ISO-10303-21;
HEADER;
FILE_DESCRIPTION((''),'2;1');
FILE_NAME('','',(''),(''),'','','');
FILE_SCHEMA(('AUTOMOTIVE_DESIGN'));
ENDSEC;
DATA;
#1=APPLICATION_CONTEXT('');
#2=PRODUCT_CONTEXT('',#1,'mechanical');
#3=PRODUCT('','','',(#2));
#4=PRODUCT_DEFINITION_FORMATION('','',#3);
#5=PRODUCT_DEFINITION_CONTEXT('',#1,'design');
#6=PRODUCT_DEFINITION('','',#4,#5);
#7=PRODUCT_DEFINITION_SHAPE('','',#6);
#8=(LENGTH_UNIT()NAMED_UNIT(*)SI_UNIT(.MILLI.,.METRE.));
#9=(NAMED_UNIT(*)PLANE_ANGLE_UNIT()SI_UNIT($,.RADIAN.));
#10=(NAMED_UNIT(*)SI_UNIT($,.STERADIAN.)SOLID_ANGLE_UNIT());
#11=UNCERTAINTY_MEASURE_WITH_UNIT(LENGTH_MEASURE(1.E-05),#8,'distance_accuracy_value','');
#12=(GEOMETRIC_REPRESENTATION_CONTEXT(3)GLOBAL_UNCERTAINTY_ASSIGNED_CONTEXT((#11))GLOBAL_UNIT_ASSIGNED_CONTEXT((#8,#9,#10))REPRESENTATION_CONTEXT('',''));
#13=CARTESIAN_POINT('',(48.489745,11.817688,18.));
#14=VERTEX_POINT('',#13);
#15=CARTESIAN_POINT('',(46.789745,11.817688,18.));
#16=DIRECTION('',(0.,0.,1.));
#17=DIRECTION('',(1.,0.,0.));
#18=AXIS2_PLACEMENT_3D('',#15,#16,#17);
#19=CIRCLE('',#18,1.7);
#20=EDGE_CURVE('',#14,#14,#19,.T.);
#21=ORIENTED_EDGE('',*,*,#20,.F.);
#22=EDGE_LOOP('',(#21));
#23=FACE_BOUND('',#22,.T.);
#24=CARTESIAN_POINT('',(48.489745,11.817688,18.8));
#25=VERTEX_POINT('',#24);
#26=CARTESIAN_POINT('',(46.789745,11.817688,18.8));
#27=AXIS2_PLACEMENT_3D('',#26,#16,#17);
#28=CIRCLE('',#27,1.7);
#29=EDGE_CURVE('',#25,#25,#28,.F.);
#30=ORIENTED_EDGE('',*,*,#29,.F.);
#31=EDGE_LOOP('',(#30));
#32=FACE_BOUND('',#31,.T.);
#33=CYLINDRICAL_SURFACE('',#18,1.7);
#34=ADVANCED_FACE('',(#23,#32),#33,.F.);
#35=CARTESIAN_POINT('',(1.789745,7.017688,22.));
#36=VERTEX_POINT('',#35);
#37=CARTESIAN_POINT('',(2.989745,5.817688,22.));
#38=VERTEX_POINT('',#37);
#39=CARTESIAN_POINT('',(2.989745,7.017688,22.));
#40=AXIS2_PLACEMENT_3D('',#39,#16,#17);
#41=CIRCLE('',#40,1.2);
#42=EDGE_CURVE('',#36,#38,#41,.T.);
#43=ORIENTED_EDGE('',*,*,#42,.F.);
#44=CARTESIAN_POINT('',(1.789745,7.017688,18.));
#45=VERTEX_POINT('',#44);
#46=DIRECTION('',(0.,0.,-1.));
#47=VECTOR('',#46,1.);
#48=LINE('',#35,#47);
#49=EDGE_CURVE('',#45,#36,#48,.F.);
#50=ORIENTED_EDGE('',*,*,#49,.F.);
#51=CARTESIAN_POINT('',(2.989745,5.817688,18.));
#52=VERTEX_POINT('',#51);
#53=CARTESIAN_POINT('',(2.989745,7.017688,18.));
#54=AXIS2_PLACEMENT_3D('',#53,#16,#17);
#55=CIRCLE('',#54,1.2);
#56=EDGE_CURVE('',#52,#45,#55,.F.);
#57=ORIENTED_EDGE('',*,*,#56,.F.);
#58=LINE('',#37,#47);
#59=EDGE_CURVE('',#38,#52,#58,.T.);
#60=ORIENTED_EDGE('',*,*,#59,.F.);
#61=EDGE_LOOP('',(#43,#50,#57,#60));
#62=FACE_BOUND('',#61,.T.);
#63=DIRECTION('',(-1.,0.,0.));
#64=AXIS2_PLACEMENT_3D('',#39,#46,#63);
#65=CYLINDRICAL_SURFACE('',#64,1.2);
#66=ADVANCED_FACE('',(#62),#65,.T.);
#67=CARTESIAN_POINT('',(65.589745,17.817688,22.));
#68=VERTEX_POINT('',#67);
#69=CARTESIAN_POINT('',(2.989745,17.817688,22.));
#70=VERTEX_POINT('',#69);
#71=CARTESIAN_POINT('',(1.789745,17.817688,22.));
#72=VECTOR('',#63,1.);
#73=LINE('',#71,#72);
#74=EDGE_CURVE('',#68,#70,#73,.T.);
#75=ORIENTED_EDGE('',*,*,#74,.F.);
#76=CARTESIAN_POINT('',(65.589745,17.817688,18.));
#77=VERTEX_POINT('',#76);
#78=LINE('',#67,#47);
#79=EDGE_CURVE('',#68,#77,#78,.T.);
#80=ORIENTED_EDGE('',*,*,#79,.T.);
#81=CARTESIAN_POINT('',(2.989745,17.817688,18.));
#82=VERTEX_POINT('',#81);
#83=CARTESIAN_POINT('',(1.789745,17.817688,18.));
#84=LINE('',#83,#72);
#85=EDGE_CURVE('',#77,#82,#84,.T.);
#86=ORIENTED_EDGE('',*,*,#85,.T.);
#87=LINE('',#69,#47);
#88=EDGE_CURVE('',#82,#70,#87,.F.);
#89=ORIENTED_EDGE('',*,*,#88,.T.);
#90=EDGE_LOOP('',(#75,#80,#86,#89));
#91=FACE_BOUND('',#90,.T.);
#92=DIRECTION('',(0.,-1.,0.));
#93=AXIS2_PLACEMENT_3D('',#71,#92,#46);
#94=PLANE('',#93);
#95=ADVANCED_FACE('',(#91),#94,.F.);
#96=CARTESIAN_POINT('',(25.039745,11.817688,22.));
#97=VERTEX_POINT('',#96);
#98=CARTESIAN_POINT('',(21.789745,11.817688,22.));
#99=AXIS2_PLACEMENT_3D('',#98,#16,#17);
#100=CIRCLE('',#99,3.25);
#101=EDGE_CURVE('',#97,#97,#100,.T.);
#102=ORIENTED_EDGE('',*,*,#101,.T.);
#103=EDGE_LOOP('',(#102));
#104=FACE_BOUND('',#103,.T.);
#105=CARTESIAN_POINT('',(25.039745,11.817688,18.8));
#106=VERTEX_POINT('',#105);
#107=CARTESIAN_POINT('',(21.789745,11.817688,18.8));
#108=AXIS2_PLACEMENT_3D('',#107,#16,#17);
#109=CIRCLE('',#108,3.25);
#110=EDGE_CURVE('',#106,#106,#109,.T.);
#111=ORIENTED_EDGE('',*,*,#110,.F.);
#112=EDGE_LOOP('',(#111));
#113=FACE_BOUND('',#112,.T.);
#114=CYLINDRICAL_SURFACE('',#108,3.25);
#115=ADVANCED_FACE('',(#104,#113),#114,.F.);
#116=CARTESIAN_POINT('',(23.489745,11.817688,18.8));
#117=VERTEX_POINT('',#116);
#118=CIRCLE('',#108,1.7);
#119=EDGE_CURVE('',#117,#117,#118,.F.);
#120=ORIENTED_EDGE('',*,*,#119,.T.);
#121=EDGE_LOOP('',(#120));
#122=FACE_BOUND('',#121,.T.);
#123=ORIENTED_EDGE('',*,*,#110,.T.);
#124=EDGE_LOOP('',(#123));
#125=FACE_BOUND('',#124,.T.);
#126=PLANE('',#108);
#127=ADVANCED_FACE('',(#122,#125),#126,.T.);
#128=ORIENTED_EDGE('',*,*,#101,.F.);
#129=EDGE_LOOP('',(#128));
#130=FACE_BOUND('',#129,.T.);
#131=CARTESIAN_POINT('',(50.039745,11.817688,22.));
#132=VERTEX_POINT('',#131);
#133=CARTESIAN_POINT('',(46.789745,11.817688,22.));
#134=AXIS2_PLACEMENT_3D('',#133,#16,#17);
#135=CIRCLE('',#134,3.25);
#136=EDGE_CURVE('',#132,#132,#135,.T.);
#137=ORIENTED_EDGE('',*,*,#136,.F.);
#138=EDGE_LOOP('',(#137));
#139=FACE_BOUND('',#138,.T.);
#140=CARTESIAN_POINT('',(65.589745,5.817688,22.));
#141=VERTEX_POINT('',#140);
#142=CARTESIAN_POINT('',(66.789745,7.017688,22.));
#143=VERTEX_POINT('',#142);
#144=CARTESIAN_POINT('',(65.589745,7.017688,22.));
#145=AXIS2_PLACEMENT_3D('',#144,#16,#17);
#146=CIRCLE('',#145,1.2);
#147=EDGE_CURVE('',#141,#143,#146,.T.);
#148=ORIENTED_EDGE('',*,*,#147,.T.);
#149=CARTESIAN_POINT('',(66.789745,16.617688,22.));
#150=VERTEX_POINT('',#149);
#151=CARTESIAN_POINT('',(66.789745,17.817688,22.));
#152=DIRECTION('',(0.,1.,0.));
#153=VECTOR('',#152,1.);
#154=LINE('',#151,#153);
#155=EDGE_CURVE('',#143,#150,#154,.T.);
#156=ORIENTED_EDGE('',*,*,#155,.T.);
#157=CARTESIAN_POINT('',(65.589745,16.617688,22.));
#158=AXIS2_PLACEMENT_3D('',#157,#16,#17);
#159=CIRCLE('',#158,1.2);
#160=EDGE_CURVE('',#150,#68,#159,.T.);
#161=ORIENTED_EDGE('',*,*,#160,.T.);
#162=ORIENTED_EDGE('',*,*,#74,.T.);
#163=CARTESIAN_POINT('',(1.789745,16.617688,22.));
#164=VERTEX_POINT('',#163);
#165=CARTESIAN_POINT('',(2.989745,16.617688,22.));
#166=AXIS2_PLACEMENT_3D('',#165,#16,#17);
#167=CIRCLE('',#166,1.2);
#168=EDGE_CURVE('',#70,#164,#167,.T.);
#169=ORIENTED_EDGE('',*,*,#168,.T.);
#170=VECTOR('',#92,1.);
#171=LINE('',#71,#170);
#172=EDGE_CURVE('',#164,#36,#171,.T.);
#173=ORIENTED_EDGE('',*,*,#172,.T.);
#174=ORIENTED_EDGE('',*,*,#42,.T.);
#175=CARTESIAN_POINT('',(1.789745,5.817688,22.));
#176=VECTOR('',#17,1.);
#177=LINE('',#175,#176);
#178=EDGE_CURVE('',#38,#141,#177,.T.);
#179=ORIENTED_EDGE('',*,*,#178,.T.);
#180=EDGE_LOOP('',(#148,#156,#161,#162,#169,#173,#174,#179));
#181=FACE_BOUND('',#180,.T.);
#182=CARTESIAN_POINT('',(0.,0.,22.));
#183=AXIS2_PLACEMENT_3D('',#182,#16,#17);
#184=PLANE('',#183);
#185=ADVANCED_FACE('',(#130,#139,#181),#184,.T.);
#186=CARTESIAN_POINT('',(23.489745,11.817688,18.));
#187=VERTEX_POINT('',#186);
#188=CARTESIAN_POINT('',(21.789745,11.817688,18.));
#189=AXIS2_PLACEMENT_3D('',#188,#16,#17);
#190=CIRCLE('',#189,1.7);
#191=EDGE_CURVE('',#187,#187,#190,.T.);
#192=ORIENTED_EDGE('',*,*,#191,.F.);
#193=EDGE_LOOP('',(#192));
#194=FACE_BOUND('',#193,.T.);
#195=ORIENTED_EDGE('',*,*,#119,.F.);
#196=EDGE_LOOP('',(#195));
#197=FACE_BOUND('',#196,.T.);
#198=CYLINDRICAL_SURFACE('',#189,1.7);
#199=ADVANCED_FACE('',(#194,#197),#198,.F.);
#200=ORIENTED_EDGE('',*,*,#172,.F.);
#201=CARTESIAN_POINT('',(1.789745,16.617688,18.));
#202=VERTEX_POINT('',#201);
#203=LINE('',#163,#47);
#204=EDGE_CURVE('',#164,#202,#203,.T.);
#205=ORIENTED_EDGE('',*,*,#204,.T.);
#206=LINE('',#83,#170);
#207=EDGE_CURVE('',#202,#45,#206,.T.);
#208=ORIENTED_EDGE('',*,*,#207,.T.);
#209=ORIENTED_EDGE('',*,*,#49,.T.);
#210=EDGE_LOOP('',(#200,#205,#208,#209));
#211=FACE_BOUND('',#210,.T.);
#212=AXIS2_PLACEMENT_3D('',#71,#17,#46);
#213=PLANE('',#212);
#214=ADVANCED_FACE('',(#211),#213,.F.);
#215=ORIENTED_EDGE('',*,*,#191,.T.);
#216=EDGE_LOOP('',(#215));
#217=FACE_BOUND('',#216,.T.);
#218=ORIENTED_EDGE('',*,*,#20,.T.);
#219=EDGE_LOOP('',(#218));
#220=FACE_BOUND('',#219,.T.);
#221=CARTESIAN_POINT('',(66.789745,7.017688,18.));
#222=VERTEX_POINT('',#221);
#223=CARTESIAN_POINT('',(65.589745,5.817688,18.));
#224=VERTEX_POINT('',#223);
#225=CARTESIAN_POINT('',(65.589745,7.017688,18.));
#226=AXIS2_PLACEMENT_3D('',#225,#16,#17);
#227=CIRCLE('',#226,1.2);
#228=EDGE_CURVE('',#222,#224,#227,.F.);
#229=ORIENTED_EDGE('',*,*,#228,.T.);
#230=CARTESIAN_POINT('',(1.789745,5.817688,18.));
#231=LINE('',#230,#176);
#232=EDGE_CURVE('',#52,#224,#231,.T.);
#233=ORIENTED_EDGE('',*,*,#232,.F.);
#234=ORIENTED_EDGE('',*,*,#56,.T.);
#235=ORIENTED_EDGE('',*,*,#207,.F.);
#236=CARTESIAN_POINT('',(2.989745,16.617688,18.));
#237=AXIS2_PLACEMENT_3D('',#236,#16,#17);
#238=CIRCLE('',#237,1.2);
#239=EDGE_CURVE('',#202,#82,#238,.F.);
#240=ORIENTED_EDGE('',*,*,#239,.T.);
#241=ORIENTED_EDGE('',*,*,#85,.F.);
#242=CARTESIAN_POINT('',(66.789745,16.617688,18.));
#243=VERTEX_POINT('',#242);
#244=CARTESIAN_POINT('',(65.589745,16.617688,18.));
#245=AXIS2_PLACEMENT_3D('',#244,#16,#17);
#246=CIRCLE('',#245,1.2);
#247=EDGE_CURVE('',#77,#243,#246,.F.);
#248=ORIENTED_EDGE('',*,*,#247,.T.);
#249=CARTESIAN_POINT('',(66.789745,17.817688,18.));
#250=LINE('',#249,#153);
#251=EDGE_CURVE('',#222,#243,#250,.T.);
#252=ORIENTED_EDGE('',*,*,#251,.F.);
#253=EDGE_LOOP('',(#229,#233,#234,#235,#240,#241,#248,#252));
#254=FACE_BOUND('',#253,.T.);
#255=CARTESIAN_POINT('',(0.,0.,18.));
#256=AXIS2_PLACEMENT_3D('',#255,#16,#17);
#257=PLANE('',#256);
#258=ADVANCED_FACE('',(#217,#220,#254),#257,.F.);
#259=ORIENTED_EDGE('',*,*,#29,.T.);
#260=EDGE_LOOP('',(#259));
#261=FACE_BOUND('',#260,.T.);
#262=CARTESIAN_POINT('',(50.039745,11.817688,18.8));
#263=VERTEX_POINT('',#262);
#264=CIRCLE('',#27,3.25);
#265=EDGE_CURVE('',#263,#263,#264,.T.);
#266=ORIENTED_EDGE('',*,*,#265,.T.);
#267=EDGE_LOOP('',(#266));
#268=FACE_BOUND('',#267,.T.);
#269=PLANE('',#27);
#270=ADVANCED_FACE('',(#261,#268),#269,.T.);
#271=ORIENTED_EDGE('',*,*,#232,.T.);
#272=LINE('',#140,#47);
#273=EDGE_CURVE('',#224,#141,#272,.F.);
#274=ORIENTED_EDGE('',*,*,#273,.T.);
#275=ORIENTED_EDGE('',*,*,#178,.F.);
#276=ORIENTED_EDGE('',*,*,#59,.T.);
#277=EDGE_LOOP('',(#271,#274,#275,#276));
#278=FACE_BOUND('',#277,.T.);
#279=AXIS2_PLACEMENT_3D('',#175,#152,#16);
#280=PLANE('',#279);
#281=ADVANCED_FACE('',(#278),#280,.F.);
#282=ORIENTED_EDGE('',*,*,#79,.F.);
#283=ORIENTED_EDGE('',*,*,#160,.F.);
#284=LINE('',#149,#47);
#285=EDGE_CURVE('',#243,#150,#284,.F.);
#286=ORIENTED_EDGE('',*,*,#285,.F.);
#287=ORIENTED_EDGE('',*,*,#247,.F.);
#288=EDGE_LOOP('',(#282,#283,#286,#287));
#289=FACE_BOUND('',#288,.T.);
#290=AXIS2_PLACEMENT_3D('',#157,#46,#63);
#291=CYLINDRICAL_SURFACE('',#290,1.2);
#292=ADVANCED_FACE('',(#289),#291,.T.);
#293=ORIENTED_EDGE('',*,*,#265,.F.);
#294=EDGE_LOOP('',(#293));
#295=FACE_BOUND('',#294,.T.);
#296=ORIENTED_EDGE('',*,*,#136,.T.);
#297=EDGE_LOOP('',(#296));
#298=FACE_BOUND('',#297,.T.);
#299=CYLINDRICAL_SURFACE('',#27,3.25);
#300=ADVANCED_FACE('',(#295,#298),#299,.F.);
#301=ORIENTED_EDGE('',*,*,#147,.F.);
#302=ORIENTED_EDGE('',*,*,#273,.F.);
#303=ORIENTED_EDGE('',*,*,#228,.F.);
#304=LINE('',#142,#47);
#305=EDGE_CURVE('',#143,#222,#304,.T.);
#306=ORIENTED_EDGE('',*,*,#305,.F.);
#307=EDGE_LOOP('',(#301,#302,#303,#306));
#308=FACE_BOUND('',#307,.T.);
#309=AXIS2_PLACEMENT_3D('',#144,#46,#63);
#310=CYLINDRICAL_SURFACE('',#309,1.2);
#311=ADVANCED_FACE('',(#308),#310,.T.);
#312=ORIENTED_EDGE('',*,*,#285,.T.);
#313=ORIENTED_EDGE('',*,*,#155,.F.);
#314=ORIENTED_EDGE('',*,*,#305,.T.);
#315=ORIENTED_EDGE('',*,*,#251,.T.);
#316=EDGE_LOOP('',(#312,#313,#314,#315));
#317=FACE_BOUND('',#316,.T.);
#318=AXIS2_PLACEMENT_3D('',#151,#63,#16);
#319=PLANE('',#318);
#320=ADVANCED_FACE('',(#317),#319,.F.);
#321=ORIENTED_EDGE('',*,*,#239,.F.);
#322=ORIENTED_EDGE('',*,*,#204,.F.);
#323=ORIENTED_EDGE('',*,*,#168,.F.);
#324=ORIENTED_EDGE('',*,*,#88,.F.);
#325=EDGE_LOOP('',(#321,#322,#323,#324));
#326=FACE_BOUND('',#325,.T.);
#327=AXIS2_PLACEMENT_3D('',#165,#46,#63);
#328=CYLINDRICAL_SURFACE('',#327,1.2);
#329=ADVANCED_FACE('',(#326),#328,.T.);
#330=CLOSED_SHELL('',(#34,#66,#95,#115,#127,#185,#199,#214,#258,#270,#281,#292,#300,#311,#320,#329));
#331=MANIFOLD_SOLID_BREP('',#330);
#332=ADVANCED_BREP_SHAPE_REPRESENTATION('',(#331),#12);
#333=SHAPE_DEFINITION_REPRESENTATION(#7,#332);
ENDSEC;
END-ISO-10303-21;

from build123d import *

# Parameters (mm, degrees)
SKIZZE2_W                       = 65
SKIZZE2_H                       = 12
AUFSATZ_LINEAR_AUSTRAGEN1_DEPTH = 4
SKIZZE3_R                       = 1.7
SCHNITT_LINEAR_AUSTRAGEN1_DEPTH = 70.241173381
SKIZZE4_R                       = 3.25
SCHNITT_LINEAR_AUSTRAGEN2_DEPTH = 3.2
VERRUNDUNG3_R                   = 1.2


with BuildPart() as part:
    # Skizze2 → Aufsatz-Linear austragen1 (new body)
    with BuildSketch(Plane.XY.offset(18)):
        with Locations((34.289745228, 11.817688499)):
            Rectangle(SKIZZE2_W, SKIZZE2_H)
    extrude(amount=AUFSATZ_LINEAR_AUSTRAGEN1_DEPTH)

    # Skizze3 → Schnitt-Linear austragen1 (cut, through all)
    with BuildSketch(Plane.XY.offset(22)):
        with Locations((21.789745228, 11.817688499)):
            Circle(SKIZZE3_R)
        with Locations((46.789745228, 11.817688499)):
            Circle(SKIZZE3_R)
    extrude(amount=-SCHNITT_LINEAR_AUSTRAGEN1_DEPTH, mode=Mode.SUBTRACT)

    # Skizze4 → Schnitt-Linear austragen2 (cut)
    with BuildSketch(Plane.XY.offset(22)):
        with Locations((21.789745228, 11.817688499)):
            Circle(SKIZZE4_R)
        with Locations((46.789745228, 11.817688499)):
            Circle(SKIZZE4_R)
    extrude(amount=-SCHNITT_LINEAR_AUSTRAGEN2_DEPTH, mode=Mode.SUBTRACT)

    # Verrundung3
    verrundung3_edges = [part.edges().sort_by_distance(p)[0] for p in [
        (1.789745228, 17.817688499, 20),
        (66.789745228, 17.817688499, 20),
        (66.789745228, 5.817688499, 20),
        (1.789745228, 5.817688499, 20),
    ]]
    fillet(verrundung3_edges, radius=VERRUNDUNG3_R)


solid = part.part
